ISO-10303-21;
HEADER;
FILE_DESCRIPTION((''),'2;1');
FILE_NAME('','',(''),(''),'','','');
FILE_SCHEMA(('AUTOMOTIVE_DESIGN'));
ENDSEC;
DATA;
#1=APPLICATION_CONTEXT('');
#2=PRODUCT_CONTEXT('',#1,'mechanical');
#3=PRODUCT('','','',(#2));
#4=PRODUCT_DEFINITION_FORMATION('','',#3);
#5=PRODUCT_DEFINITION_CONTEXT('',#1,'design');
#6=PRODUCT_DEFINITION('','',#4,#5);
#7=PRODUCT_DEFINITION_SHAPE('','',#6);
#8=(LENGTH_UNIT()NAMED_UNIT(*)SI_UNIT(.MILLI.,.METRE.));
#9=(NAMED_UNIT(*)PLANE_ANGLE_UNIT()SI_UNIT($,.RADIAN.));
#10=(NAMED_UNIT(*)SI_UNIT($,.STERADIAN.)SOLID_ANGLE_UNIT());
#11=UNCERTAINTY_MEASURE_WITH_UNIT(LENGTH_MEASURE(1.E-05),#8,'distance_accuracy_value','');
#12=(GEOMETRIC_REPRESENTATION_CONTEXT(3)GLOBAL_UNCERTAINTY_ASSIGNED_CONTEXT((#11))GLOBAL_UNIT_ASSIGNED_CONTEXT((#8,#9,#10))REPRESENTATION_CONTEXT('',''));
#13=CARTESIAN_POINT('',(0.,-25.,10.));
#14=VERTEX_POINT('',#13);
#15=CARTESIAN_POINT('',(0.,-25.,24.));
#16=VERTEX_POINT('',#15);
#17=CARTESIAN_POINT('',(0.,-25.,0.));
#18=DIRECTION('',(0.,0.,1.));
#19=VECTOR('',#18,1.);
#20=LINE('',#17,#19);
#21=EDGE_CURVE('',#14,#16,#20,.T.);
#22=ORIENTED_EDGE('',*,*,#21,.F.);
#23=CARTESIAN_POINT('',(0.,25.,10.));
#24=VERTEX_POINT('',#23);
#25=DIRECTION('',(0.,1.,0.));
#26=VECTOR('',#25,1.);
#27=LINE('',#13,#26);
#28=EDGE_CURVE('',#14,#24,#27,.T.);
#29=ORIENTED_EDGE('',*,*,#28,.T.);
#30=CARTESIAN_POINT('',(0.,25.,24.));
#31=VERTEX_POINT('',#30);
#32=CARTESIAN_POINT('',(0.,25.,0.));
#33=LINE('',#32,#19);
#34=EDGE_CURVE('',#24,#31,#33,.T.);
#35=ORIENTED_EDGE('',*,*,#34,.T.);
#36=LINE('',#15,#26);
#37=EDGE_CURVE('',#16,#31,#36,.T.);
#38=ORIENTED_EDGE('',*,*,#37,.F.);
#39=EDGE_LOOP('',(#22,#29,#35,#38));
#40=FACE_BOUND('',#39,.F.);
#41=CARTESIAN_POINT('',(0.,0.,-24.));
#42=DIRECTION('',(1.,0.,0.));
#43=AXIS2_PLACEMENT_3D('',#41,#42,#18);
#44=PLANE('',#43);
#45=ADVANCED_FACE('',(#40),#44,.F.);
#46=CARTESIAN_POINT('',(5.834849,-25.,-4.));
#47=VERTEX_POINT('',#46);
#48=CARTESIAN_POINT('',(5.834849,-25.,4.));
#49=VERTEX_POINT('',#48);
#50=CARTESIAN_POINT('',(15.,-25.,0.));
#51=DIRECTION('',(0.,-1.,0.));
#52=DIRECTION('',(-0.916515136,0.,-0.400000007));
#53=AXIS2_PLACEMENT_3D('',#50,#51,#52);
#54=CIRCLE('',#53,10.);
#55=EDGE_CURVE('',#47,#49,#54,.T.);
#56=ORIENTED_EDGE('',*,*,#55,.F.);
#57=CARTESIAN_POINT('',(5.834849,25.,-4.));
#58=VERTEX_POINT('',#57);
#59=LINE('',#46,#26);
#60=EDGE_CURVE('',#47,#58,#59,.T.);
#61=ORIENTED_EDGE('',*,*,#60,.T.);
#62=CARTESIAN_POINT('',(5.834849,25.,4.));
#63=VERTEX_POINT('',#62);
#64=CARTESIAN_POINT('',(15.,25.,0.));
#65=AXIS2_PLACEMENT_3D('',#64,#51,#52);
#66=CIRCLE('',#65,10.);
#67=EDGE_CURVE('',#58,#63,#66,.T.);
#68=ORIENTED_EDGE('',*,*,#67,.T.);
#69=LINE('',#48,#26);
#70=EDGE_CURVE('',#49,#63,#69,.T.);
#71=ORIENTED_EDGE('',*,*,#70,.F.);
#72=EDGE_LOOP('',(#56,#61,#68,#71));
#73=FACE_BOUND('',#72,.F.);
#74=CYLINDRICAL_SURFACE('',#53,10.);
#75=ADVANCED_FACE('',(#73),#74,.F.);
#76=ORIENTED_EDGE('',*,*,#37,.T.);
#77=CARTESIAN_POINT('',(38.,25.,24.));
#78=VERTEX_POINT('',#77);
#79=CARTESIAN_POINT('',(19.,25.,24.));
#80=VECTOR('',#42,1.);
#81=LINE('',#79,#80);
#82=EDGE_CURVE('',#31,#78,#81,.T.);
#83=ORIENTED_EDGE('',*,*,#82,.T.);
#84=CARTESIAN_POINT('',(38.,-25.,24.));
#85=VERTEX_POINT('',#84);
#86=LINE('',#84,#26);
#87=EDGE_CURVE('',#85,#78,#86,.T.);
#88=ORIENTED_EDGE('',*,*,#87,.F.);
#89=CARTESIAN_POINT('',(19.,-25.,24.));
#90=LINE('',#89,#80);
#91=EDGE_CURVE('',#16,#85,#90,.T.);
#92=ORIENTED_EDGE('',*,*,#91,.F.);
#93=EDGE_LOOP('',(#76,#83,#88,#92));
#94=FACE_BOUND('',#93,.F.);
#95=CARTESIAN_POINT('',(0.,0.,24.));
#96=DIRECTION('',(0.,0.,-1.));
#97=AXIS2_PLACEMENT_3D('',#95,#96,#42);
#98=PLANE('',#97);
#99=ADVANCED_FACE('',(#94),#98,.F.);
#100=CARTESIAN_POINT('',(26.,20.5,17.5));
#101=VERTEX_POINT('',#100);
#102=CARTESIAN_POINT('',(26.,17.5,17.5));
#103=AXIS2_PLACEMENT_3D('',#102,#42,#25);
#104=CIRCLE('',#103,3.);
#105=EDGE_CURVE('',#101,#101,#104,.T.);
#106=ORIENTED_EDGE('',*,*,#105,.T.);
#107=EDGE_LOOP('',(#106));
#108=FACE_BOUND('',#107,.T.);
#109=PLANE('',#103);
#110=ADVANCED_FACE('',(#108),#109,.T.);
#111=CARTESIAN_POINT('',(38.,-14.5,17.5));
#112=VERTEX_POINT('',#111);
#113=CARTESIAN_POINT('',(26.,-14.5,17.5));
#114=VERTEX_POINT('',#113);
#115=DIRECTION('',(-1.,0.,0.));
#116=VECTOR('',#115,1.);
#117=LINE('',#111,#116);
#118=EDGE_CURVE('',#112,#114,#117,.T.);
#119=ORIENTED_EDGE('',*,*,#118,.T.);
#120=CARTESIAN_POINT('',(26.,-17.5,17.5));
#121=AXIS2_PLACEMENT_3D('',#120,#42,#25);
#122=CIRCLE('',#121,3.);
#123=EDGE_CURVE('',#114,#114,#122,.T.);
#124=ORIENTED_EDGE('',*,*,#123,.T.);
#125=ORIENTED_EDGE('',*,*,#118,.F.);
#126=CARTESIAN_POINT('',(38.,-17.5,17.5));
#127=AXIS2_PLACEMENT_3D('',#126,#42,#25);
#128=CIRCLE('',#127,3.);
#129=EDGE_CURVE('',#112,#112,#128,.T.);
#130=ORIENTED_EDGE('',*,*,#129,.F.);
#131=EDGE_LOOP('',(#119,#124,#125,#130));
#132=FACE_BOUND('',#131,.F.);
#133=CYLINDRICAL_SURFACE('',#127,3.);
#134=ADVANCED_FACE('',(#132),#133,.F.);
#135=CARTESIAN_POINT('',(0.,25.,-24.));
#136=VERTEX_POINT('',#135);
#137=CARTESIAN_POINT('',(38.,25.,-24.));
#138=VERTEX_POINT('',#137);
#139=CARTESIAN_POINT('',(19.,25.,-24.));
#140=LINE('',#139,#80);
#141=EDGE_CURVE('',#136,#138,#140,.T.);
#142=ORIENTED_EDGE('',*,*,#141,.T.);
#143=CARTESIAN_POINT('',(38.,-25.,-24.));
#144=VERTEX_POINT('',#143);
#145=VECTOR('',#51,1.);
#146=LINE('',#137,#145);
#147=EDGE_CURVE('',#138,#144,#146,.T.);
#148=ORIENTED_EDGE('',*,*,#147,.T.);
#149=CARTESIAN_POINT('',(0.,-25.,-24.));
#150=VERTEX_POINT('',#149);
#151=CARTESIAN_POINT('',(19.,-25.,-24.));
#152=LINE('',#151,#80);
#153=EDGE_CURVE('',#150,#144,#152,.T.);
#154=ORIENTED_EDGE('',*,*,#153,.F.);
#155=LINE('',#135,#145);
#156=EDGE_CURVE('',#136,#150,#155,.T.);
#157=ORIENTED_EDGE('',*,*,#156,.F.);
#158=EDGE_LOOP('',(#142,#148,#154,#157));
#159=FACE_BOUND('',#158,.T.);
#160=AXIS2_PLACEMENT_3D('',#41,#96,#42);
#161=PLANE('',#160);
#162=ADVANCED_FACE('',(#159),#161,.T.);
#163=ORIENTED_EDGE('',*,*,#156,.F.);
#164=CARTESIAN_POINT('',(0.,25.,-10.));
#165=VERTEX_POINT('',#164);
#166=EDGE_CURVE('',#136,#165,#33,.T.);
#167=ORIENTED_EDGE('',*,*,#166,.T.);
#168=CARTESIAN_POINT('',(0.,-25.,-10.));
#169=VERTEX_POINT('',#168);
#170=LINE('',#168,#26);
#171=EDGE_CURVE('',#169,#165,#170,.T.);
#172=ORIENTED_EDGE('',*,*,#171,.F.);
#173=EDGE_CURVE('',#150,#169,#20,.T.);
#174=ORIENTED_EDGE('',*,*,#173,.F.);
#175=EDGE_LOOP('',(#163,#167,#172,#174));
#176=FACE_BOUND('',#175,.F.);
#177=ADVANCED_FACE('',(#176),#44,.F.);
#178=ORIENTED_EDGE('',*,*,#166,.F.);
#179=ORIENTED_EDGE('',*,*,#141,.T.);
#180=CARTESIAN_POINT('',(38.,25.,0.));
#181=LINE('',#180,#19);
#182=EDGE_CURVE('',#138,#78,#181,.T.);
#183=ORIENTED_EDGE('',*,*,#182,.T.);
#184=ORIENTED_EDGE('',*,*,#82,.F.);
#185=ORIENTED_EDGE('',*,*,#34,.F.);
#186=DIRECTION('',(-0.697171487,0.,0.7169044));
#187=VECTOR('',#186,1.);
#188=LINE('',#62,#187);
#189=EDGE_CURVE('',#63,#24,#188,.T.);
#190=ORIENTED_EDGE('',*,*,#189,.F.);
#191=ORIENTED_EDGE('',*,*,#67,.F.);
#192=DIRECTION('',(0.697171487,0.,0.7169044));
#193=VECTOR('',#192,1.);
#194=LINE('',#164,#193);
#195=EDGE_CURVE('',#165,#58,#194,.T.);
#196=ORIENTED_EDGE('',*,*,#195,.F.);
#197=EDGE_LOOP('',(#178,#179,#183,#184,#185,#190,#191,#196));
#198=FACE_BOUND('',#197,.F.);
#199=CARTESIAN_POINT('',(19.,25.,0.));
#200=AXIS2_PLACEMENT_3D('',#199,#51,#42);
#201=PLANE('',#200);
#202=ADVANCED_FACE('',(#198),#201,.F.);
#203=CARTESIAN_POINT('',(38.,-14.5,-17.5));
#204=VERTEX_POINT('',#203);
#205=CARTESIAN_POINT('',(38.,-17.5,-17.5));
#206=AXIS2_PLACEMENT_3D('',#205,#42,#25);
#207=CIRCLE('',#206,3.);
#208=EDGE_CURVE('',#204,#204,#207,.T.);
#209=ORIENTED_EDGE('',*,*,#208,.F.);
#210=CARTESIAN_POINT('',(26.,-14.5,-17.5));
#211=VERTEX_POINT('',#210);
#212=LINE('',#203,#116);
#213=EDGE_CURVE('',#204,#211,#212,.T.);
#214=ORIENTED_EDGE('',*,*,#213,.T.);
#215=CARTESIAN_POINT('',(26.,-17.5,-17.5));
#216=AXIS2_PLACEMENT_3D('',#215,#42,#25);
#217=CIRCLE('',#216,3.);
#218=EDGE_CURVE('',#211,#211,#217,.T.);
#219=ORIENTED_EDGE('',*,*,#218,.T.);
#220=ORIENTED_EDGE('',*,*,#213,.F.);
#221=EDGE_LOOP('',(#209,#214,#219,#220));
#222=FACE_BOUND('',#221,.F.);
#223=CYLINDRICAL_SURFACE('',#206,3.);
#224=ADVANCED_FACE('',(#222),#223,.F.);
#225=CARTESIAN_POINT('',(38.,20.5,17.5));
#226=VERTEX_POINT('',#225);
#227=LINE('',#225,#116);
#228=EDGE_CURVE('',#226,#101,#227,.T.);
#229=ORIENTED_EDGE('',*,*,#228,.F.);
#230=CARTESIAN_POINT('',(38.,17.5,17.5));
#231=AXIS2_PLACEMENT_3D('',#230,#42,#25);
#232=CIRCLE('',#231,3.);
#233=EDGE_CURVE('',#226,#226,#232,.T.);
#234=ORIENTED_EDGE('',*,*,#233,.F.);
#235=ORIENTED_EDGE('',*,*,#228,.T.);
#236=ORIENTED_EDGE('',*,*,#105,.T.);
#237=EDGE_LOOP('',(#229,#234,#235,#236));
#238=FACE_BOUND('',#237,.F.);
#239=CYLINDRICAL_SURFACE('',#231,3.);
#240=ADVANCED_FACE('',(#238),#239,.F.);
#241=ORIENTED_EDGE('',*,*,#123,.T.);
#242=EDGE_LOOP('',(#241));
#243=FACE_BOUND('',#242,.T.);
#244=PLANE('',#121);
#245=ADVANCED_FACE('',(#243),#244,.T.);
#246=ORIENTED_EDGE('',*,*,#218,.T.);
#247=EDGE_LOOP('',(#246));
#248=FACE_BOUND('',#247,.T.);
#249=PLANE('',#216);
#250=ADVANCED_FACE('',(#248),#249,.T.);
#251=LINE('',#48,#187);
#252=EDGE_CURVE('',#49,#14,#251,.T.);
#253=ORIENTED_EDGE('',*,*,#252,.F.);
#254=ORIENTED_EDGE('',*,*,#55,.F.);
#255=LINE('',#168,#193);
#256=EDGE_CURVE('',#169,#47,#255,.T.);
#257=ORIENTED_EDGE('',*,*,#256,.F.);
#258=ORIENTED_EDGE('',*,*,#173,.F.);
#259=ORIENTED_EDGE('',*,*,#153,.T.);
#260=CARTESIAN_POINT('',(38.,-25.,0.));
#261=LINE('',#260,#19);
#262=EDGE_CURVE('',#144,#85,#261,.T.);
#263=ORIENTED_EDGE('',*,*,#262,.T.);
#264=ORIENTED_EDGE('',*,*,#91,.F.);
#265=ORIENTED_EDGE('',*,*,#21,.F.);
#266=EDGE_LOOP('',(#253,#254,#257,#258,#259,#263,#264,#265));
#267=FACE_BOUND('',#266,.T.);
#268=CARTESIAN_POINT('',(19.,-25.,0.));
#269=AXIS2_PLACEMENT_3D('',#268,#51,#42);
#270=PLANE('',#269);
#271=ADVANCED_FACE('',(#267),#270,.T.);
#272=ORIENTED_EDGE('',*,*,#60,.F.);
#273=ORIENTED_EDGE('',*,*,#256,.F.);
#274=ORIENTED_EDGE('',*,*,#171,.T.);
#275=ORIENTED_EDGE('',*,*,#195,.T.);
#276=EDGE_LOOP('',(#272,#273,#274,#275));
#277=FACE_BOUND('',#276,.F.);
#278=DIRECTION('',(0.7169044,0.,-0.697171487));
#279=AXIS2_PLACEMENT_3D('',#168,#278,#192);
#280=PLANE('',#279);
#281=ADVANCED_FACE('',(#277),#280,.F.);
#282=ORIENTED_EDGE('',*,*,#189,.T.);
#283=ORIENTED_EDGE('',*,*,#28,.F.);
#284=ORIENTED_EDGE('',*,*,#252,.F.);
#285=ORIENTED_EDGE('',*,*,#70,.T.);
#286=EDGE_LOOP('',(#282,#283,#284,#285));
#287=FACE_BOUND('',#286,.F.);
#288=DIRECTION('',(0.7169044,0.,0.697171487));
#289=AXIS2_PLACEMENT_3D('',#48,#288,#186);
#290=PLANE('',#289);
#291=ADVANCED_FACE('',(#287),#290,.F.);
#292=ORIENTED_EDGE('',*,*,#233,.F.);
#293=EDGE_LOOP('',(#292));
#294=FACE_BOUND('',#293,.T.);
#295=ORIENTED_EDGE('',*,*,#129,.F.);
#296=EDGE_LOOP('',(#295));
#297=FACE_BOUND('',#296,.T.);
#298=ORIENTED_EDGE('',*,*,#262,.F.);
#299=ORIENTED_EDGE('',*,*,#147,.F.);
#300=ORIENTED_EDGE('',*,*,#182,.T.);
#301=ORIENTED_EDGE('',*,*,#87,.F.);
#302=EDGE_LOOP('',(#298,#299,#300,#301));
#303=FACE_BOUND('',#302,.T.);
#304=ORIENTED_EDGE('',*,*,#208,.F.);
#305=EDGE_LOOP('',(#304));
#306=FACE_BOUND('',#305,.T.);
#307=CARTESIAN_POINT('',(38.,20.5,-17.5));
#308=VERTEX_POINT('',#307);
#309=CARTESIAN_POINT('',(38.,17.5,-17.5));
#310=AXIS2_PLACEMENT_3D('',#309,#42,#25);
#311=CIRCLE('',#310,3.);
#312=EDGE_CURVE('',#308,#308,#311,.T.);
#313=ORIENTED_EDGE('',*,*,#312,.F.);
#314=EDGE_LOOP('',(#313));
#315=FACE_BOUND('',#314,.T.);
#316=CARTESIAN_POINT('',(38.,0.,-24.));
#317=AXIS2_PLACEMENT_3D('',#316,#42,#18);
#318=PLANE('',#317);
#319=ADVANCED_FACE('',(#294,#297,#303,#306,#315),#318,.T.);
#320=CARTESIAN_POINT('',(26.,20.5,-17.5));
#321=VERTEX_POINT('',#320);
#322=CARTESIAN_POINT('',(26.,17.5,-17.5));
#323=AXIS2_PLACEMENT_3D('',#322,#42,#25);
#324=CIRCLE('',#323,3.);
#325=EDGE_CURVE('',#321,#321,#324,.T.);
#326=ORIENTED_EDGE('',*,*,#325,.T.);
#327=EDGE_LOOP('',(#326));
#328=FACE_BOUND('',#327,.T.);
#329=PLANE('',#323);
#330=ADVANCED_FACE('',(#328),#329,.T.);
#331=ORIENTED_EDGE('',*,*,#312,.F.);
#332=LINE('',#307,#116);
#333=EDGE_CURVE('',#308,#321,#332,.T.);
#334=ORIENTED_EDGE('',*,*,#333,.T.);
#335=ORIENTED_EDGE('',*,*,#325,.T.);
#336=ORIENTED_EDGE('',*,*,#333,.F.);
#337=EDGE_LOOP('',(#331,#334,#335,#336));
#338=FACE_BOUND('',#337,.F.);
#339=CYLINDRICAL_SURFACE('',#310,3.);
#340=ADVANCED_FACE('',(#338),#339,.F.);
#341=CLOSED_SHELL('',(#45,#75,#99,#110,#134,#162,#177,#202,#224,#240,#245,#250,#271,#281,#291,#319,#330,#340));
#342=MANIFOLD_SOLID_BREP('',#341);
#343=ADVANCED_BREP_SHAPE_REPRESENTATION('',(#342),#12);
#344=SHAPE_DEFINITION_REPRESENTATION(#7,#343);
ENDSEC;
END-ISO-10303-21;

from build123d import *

# Parameters (mm, degrees)
F0_W     = 38
F0_H     = 48
F1_DEPTH = 25
F3_DEPTH = 50
F4_R     = 3
F5_DEPTH = 12


with BuildPart() as f1:
    # F0 (on Front) → F1 (new body, symmetric)
    with BuildSketch(Plane.XZ):
        with Locations((19, 0)):
            Rectangle(F0_W, F0_H)
    extrude(amount=F1_DEPTH, both=True)

    # F2 (on face) → F3 (cut)
    with BuildSketch(Plane.XZ.offset(25)):
        with BuildLine():
            Line((0, -10), (5.834849, -4))
            ThreePointArc((5.834849, -4), (25, 0), (5.834849, 4))
            Line((5.834849, 4), (0, 10))
            Line((0, 10), (0, -10))
        make_face()
    extrude(amount=-F3_DEPTH, mode=Mode.SUBTRACT)

    # F4 (on face) → F5 (cut)
    with BuildSketch(Plane.YZ.offset(38)):
        with Locations((-17.5, 17.5)):
            Circle(F4_R)
        with Locations((17.5, 17.5)):
            Circle(F4_R)
        with Locations((17.5, -17.5)):
            Circle(F4_R)
        with Locations((-17.5, -17.5)):
            Circle(F4_R)
    extrude(amount=-F5_DEPTH, mode=Mode.SUBTRACT)


solid = f1.part
